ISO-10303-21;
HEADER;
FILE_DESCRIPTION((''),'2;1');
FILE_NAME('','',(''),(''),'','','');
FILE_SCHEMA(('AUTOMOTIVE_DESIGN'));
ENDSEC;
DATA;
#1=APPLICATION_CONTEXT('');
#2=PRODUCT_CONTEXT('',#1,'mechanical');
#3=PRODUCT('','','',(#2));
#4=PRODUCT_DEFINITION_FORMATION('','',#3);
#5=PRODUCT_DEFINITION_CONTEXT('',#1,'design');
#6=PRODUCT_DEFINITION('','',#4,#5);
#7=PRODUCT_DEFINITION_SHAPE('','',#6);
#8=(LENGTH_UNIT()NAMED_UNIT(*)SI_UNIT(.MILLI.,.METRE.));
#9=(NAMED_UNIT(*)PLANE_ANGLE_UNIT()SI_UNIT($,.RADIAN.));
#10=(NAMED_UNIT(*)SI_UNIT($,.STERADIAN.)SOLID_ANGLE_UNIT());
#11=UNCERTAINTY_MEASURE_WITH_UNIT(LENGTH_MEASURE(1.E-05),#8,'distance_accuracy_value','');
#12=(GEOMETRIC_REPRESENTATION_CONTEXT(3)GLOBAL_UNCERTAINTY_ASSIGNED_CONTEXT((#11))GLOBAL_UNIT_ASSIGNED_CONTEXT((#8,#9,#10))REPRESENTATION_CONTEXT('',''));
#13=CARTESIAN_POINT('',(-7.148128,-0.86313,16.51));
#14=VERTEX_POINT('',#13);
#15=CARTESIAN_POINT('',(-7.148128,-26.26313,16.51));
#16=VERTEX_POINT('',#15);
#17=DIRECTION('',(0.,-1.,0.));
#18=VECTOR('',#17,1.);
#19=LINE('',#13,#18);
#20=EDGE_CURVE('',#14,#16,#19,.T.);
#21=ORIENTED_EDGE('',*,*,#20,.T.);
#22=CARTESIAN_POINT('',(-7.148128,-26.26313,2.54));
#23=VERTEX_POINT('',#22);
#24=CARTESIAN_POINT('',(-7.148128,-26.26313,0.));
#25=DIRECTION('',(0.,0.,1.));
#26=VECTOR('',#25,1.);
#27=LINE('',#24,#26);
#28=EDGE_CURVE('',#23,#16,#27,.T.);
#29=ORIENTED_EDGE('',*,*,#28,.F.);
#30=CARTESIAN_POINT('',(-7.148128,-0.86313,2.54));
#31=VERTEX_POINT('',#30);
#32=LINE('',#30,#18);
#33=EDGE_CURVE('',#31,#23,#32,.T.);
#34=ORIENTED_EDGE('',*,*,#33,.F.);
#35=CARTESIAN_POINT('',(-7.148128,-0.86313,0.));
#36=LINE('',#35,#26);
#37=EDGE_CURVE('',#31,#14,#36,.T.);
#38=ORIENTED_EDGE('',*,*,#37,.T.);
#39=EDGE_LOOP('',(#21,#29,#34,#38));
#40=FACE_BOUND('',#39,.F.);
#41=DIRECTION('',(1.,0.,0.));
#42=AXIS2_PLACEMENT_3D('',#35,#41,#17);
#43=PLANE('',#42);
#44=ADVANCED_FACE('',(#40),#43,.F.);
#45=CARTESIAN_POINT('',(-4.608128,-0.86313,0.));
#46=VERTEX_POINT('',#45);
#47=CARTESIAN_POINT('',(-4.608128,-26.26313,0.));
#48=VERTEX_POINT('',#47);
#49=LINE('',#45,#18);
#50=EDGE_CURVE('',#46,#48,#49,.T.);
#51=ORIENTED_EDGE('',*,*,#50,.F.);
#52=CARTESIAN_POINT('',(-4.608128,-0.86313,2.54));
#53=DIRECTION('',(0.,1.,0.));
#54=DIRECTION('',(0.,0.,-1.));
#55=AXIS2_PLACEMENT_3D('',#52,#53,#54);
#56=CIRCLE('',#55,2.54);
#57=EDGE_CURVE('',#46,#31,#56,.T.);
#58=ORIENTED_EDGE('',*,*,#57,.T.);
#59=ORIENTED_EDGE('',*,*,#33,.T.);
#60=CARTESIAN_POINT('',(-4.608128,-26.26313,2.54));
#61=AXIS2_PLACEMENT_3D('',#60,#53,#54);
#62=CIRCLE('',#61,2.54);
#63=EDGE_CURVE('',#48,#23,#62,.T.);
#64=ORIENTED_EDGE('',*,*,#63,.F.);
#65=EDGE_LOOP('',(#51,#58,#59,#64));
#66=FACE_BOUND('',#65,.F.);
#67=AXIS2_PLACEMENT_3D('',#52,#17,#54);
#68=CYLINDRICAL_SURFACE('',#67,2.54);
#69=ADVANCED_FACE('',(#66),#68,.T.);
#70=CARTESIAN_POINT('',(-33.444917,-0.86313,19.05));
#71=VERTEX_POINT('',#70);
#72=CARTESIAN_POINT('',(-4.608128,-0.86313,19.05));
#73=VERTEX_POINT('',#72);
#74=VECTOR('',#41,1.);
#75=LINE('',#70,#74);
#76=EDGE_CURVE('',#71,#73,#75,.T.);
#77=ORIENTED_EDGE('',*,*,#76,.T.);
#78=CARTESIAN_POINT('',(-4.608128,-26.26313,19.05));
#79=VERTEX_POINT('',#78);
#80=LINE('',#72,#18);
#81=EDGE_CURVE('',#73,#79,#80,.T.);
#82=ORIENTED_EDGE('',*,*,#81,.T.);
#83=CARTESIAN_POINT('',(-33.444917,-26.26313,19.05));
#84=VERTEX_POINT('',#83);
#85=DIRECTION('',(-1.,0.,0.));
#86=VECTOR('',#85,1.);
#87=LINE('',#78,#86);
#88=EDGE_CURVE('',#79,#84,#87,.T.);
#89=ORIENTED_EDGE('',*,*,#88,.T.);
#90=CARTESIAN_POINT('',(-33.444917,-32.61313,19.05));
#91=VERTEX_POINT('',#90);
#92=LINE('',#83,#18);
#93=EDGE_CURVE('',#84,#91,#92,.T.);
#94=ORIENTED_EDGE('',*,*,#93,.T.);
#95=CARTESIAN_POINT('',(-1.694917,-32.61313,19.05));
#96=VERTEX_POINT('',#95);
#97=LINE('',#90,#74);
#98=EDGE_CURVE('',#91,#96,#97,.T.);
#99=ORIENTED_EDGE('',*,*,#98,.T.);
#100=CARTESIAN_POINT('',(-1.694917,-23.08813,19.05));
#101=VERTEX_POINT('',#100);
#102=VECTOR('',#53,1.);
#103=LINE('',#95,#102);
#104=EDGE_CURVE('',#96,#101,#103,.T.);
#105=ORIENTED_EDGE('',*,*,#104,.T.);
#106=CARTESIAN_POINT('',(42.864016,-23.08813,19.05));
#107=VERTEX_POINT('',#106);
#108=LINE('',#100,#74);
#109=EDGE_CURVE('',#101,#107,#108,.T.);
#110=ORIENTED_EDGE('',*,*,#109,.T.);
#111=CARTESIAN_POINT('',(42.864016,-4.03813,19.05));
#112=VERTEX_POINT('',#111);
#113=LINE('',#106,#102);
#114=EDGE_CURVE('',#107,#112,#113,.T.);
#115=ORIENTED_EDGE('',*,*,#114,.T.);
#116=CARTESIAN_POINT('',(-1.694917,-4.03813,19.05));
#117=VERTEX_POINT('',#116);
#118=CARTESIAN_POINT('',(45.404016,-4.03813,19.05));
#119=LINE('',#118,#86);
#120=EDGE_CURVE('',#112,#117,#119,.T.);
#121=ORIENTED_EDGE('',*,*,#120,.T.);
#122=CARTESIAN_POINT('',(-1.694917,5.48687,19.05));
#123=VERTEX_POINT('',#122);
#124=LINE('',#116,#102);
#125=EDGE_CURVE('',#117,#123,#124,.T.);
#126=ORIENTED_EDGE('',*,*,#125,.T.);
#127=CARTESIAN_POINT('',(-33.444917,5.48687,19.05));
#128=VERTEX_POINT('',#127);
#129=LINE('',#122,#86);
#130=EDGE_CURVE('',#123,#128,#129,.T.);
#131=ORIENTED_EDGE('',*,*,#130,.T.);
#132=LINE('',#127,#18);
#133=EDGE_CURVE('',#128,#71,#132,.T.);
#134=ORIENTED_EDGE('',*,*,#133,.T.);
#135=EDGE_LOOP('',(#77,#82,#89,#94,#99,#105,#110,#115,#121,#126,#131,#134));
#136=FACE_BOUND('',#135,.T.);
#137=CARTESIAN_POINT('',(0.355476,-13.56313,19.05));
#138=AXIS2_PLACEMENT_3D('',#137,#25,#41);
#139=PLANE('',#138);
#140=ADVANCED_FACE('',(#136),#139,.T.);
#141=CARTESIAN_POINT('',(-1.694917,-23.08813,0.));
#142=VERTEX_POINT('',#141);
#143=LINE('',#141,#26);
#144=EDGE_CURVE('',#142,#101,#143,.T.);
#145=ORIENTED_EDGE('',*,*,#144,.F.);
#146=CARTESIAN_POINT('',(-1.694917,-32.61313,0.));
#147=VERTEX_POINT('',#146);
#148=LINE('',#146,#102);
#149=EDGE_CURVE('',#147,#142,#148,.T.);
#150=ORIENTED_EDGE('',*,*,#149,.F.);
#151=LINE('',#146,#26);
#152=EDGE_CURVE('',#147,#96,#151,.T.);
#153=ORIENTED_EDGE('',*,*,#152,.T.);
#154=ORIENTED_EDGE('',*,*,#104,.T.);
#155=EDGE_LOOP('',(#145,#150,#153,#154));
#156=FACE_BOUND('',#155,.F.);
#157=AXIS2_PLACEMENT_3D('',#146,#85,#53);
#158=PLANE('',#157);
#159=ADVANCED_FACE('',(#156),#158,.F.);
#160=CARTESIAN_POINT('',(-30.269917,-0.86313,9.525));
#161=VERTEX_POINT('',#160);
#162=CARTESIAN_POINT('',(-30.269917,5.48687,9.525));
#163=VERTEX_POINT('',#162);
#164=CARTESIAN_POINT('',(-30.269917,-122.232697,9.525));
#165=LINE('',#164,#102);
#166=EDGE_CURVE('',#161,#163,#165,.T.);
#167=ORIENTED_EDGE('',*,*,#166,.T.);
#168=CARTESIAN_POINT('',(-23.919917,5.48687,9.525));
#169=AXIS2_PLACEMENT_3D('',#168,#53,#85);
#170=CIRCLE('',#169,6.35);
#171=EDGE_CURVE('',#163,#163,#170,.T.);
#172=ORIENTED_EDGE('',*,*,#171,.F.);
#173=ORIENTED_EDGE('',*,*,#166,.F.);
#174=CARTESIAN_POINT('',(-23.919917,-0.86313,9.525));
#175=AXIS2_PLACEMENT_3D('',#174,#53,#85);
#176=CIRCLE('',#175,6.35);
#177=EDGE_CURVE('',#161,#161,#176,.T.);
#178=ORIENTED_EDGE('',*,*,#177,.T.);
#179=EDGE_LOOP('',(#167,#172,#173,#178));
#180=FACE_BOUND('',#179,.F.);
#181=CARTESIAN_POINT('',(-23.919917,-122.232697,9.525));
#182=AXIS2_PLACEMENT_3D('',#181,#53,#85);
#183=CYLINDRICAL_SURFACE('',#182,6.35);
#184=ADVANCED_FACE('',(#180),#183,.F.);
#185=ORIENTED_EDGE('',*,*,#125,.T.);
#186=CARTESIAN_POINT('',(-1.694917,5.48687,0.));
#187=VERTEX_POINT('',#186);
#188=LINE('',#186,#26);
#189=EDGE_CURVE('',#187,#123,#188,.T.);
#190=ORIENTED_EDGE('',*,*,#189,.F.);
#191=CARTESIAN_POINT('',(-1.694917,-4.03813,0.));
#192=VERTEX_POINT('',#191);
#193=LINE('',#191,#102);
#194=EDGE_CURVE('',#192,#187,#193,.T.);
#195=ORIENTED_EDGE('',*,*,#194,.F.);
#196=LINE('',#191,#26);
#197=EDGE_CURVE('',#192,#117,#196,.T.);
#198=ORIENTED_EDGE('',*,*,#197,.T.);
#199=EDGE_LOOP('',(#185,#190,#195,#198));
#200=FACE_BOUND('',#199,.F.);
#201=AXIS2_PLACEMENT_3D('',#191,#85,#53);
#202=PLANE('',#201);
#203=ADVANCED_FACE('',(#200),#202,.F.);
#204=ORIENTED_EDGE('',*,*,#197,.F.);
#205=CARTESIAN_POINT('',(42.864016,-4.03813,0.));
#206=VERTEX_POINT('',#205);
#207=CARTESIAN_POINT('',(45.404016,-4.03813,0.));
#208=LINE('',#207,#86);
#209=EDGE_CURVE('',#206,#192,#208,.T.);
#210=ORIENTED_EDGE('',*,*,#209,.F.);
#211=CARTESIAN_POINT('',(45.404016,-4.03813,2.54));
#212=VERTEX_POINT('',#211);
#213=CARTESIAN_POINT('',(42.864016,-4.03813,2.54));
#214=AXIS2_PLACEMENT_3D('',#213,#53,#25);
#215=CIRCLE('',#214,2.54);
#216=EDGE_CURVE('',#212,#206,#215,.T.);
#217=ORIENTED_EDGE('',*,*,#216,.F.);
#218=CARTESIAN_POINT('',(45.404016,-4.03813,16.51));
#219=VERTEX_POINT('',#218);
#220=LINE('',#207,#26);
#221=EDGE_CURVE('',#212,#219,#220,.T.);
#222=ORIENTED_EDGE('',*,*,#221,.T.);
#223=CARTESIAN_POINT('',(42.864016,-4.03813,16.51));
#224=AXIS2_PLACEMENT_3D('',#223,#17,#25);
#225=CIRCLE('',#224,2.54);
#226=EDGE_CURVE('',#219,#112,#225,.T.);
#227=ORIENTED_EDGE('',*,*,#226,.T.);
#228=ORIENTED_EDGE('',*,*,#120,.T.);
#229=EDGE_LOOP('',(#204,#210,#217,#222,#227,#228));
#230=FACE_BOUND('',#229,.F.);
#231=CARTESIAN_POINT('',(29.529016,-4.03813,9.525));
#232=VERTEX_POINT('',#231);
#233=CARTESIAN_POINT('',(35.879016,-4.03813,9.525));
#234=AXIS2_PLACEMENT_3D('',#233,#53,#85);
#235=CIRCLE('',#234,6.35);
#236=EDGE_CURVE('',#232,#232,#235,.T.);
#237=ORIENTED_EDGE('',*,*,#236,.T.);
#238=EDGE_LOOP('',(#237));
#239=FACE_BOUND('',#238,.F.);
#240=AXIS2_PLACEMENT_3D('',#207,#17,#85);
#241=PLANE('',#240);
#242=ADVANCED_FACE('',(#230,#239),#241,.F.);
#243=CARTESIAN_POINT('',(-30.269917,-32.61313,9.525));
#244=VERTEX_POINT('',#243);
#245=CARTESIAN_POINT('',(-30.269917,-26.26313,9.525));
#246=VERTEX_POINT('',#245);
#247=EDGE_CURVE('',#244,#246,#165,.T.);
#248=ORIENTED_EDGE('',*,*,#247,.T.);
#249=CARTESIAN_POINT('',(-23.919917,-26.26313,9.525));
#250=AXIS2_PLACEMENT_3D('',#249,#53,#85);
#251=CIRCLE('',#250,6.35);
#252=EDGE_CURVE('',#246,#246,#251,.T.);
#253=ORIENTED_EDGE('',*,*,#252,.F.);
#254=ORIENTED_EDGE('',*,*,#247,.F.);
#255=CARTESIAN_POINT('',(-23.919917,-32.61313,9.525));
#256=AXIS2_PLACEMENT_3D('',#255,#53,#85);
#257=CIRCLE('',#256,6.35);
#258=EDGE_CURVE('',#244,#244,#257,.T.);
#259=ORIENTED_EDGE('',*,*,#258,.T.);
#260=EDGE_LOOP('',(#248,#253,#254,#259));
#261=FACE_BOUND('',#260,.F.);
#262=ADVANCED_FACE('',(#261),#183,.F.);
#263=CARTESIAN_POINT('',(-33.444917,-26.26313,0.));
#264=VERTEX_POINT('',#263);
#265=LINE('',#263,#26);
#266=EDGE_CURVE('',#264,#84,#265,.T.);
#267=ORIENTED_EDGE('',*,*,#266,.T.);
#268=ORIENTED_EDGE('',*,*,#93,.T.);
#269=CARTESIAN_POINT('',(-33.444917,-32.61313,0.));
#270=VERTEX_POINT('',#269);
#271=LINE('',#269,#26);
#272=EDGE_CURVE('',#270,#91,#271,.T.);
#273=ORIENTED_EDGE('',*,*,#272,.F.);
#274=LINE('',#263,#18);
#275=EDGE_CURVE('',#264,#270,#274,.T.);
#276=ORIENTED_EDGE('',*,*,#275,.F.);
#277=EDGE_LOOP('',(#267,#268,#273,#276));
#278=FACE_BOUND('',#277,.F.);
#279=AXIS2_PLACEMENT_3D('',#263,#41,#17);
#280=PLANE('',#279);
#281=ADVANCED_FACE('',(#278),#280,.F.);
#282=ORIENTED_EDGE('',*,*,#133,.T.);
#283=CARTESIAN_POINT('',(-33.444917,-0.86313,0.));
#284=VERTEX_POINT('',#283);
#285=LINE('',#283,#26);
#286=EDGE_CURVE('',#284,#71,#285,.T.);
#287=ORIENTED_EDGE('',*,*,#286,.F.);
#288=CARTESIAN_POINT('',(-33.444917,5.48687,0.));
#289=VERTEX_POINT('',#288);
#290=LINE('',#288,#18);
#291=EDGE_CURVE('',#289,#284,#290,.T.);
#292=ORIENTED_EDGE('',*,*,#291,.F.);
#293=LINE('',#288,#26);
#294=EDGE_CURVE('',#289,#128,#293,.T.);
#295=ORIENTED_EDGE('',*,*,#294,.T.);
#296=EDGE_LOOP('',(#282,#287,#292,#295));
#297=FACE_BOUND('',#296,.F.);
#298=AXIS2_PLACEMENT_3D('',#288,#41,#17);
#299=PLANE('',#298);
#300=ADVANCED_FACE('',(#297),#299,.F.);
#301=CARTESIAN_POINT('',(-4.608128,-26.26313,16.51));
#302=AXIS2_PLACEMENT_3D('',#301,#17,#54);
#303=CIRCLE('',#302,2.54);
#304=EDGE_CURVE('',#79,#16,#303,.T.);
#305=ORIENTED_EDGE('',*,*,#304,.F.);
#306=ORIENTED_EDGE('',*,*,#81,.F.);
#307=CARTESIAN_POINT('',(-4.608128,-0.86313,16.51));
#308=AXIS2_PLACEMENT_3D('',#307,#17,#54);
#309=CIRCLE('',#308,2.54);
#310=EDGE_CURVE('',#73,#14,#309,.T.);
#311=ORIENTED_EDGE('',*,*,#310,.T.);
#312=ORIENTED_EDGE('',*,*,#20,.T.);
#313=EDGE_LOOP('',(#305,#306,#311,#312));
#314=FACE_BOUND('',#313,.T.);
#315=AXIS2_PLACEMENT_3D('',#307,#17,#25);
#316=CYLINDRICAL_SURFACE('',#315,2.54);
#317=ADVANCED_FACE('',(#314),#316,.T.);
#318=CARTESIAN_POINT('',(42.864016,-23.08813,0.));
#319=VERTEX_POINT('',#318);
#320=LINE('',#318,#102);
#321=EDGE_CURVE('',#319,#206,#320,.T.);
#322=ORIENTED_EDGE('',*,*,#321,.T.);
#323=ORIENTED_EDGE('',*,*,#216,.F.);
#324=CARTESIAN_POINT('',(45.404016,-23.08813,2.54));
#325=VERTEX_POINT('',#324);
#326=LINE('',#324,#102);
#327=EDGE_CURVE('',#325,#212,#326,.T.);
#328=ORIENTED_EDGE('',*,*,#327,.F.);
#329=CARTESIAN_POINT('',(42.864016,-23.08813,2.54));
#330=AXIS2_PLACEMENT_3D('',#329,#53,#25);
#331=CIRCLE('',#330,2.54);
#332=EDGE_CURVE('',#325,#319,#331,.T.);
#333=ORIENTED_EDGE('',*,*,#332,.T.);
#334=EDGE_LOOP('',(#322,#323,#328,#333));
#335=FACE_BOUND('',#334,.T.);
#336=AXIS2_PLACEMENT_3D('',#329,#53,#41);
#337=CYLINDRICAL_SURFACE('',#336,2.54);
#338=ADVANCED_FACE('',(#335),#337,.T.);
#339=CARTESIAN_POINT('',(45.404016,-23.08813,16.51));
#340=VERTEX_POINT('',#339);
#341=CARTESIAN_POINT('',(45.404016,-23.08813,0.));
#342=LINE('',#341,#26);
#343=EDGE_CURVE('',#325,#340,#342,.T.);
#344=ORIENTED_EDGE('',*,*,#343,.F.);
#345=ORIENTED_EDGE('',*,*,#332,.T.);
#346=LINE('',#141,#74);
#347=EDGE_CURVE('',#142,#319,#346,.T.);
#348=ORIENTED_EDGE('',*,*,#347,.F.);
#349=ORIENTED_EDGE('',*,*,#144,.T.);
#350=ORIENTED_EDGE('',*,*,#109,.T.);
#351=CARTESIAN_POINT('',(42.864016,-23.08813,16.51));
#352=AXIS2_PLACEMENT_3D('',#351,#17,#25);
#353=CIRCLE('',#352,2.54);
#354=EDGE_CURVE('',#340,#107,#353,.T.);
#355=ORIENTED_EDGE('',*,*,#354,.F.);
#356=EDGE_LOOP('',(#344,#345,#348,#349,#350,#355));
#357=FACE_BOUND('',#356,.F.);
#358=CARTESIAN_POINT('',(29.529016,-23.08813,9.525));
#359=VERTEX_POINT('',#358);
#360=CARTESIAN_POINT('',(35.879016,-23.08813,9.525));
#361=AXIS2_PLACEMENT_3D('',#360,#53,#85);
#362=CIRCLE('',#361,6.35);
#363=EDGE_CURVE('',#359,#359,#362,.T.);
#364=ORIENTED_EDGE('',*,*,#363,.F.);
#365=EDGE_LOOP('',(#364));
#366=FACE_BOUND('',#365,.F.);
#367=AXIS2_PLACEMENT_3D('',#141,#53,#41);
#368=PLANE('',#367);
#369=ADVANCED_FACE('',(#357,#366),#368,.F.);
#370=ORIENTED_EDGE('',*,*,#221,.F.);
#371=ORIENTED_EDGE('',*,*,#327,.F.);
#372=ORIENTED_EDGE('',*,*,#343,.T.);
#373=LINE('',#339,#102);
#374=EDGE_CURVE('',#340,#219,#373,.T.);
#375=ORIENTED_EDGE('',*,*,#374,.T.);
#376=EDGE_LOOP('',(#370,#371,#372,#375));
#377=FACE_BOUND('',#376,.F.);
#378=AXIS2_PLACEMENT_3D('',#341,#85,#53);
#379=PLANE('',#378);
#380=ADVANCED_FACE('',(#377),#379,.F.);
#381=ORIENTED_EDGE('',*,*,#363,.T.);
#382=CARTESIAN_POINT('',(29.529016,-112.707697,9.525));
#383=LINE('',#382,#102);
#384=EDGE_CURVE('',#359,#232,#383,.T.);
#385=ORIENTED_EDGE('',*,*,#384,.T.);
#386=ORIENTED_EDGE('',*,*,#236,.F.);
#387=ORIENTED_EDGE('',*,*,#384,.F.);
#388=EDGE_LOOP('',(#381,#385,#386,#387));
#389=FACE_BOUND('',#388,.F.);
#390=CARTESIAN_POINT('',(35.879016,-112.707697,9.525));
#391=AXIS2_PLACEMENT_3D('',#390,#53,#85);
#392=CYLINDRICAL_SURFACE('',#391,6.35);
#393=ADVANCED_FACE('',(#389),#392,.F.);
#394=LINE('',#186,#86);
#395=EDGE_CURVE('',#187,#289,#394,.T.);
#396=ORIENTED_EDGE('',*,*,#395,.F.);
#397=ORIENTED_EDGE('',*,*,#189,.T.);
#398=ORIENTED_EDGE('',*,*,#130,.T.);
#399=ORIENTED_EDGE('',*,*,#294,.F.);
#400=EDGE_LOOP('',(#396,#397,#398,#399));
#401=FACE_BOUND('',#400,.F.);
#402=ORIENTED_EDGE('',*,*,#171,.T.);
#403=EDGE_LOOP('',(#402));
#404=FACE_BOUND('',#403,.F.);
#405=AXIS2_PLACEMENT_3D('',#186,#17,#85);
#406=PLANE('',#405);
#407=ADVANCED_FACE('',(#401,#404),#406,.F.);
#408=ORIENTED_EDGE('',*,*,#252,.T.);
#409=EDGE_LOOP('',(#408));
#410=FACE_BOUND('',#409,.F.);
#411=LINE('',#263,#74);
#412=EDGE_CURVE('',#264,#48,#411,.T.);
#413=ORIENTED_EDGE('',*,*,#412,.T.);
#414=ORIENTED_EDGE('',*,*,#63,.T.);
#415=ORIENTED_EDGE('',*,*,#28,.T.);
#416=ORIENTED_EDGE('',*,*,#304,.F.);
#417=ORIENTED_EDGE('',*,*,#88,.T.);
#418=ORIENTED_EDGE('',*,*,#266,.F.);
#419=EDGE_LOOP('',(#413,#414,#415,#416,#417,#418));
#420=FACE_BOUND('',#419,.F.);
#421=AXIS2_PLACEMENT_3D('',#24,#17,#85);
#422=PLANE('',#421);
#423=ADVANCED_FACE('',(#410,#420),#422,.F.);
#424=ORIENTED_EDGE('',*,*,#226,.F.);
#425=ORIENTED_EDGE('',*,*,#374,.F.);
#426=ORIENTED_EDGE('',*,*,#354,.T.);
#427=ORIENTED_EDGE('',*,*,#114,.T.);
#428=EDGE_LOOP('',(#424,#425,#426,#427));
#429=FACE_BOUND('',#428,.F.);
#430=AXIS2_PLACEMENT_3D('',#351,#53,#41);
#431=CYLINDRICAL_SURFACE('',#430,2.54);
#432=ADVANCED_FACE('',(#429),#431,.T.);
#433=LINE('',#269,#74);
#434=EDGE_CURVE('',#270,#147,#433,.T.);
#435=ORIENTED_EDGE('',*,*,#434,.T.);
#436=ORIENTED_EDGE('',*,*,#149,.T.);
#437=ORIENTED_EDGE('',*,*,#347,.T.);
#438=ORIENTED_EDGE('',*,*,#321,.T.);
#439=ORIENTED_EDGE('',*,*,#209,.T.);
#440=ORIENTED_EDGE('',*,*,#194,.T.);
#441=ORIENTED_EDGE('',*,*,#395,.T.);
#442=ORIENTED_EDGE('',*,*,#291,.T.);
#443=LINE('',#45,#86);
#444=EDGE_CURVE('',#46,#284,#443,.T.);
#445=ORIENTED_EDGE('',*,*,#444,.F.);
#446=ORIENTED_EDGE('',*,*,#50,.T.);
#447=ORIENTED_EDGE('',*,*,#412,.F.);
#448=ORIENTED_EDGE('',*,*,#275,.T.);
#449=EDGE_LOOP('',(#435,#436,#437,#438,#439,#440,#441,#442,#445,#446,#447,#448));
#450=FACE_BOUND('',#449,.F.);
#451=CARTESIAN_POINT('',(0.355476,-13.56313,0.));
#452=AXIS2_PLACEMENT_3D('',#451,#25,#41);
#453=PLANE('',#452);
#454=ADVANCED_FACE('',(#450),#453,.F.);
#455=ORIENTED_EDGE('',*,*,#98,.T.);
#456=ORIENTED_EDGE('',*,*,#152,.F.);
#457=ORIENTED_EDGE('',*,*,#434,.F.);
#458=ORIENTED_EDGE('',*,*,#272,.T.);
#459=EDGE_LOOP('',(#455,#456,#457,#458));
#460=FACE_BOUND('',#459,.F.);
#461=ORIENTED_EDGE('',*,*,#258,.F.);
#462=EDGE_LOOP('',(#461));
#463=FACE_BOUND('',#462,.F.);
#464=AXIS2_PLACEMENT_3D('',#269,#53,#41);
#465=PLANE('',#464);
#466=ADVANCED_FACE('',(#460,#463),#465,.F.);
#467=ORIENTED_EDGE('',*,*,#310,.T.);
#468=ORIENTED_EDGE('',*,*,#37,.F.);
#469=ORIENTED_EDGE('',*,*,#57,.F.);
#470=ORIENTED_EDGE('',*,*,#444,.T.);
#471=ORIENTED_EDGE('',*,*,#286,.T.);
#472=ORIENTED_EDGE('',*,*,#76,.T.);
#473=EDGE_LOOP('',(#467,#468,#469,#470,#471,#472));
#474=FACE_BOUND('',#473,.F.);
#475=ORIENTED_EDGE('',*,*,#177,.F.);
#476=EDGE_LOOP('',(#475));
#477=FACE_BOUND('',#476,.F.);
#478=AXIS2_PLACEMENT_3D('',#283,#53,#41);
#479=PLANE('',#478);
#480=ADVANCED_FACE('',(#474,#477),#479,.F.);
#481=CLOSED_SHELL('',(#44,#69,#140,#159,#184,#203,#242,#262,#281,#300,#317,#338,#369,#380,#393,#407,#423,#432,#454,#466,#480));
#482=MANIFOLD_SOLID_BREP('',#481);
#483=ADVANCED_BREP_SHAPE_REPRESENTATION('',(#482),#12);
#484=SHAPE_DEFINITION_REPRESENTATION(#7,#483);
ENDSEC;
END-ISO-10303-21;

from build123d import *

# Parameters (mm, degrees)
F1_DEPTH = 19.05
F3_D     = 12.7
F5_D     = 12.7
F6_R     = 2.54


with BuildPart() as f1:
    # F0 (on Top) → F1 (new body)
    with BuildSketch(Plane.XY):
        Polygon((45.404016, -4.03813), (-1.694917, -4.03813), (-1.694917, 5.48687), (-33.444917, 5.48687), (-33.444917, -0.86313), (-7.148128, -0.86313), (-7.148128, -26.26313), (-33.444917, -26.26313), (-33.444917, -32.61313), (-1.694917, -32.61313), (-1.694917, -23.08813), (45.404016, -23.08813), align=None)
    extrude(amount=F1_DEPTH)

    # F3 (through all)
    with Locations(Plane.XZ.offset(32.61313)):
        with Locations((-23.919917, 9.525)):
            Hole(F3_D / 2)

    # F5 (through all)
    with Locations(Plane.XZ.offset(23.08813)):
        with Locations((35.879016, 9.525)):
            Hole(F5_D / 2)

    # F6
    f6_edges = [f1.edges().sort_by_distance(p)[0] for p in [
        (45.404016, -13.56313, 19.05),
        (45.404016, -13.56313, 0),
        (-7.148128, -13.56313, 19.05),
        (-7.148128, -13.56313, 0),
    ]]
    fillet(f6_edges, radius=F6_R)


solid = f1.part
